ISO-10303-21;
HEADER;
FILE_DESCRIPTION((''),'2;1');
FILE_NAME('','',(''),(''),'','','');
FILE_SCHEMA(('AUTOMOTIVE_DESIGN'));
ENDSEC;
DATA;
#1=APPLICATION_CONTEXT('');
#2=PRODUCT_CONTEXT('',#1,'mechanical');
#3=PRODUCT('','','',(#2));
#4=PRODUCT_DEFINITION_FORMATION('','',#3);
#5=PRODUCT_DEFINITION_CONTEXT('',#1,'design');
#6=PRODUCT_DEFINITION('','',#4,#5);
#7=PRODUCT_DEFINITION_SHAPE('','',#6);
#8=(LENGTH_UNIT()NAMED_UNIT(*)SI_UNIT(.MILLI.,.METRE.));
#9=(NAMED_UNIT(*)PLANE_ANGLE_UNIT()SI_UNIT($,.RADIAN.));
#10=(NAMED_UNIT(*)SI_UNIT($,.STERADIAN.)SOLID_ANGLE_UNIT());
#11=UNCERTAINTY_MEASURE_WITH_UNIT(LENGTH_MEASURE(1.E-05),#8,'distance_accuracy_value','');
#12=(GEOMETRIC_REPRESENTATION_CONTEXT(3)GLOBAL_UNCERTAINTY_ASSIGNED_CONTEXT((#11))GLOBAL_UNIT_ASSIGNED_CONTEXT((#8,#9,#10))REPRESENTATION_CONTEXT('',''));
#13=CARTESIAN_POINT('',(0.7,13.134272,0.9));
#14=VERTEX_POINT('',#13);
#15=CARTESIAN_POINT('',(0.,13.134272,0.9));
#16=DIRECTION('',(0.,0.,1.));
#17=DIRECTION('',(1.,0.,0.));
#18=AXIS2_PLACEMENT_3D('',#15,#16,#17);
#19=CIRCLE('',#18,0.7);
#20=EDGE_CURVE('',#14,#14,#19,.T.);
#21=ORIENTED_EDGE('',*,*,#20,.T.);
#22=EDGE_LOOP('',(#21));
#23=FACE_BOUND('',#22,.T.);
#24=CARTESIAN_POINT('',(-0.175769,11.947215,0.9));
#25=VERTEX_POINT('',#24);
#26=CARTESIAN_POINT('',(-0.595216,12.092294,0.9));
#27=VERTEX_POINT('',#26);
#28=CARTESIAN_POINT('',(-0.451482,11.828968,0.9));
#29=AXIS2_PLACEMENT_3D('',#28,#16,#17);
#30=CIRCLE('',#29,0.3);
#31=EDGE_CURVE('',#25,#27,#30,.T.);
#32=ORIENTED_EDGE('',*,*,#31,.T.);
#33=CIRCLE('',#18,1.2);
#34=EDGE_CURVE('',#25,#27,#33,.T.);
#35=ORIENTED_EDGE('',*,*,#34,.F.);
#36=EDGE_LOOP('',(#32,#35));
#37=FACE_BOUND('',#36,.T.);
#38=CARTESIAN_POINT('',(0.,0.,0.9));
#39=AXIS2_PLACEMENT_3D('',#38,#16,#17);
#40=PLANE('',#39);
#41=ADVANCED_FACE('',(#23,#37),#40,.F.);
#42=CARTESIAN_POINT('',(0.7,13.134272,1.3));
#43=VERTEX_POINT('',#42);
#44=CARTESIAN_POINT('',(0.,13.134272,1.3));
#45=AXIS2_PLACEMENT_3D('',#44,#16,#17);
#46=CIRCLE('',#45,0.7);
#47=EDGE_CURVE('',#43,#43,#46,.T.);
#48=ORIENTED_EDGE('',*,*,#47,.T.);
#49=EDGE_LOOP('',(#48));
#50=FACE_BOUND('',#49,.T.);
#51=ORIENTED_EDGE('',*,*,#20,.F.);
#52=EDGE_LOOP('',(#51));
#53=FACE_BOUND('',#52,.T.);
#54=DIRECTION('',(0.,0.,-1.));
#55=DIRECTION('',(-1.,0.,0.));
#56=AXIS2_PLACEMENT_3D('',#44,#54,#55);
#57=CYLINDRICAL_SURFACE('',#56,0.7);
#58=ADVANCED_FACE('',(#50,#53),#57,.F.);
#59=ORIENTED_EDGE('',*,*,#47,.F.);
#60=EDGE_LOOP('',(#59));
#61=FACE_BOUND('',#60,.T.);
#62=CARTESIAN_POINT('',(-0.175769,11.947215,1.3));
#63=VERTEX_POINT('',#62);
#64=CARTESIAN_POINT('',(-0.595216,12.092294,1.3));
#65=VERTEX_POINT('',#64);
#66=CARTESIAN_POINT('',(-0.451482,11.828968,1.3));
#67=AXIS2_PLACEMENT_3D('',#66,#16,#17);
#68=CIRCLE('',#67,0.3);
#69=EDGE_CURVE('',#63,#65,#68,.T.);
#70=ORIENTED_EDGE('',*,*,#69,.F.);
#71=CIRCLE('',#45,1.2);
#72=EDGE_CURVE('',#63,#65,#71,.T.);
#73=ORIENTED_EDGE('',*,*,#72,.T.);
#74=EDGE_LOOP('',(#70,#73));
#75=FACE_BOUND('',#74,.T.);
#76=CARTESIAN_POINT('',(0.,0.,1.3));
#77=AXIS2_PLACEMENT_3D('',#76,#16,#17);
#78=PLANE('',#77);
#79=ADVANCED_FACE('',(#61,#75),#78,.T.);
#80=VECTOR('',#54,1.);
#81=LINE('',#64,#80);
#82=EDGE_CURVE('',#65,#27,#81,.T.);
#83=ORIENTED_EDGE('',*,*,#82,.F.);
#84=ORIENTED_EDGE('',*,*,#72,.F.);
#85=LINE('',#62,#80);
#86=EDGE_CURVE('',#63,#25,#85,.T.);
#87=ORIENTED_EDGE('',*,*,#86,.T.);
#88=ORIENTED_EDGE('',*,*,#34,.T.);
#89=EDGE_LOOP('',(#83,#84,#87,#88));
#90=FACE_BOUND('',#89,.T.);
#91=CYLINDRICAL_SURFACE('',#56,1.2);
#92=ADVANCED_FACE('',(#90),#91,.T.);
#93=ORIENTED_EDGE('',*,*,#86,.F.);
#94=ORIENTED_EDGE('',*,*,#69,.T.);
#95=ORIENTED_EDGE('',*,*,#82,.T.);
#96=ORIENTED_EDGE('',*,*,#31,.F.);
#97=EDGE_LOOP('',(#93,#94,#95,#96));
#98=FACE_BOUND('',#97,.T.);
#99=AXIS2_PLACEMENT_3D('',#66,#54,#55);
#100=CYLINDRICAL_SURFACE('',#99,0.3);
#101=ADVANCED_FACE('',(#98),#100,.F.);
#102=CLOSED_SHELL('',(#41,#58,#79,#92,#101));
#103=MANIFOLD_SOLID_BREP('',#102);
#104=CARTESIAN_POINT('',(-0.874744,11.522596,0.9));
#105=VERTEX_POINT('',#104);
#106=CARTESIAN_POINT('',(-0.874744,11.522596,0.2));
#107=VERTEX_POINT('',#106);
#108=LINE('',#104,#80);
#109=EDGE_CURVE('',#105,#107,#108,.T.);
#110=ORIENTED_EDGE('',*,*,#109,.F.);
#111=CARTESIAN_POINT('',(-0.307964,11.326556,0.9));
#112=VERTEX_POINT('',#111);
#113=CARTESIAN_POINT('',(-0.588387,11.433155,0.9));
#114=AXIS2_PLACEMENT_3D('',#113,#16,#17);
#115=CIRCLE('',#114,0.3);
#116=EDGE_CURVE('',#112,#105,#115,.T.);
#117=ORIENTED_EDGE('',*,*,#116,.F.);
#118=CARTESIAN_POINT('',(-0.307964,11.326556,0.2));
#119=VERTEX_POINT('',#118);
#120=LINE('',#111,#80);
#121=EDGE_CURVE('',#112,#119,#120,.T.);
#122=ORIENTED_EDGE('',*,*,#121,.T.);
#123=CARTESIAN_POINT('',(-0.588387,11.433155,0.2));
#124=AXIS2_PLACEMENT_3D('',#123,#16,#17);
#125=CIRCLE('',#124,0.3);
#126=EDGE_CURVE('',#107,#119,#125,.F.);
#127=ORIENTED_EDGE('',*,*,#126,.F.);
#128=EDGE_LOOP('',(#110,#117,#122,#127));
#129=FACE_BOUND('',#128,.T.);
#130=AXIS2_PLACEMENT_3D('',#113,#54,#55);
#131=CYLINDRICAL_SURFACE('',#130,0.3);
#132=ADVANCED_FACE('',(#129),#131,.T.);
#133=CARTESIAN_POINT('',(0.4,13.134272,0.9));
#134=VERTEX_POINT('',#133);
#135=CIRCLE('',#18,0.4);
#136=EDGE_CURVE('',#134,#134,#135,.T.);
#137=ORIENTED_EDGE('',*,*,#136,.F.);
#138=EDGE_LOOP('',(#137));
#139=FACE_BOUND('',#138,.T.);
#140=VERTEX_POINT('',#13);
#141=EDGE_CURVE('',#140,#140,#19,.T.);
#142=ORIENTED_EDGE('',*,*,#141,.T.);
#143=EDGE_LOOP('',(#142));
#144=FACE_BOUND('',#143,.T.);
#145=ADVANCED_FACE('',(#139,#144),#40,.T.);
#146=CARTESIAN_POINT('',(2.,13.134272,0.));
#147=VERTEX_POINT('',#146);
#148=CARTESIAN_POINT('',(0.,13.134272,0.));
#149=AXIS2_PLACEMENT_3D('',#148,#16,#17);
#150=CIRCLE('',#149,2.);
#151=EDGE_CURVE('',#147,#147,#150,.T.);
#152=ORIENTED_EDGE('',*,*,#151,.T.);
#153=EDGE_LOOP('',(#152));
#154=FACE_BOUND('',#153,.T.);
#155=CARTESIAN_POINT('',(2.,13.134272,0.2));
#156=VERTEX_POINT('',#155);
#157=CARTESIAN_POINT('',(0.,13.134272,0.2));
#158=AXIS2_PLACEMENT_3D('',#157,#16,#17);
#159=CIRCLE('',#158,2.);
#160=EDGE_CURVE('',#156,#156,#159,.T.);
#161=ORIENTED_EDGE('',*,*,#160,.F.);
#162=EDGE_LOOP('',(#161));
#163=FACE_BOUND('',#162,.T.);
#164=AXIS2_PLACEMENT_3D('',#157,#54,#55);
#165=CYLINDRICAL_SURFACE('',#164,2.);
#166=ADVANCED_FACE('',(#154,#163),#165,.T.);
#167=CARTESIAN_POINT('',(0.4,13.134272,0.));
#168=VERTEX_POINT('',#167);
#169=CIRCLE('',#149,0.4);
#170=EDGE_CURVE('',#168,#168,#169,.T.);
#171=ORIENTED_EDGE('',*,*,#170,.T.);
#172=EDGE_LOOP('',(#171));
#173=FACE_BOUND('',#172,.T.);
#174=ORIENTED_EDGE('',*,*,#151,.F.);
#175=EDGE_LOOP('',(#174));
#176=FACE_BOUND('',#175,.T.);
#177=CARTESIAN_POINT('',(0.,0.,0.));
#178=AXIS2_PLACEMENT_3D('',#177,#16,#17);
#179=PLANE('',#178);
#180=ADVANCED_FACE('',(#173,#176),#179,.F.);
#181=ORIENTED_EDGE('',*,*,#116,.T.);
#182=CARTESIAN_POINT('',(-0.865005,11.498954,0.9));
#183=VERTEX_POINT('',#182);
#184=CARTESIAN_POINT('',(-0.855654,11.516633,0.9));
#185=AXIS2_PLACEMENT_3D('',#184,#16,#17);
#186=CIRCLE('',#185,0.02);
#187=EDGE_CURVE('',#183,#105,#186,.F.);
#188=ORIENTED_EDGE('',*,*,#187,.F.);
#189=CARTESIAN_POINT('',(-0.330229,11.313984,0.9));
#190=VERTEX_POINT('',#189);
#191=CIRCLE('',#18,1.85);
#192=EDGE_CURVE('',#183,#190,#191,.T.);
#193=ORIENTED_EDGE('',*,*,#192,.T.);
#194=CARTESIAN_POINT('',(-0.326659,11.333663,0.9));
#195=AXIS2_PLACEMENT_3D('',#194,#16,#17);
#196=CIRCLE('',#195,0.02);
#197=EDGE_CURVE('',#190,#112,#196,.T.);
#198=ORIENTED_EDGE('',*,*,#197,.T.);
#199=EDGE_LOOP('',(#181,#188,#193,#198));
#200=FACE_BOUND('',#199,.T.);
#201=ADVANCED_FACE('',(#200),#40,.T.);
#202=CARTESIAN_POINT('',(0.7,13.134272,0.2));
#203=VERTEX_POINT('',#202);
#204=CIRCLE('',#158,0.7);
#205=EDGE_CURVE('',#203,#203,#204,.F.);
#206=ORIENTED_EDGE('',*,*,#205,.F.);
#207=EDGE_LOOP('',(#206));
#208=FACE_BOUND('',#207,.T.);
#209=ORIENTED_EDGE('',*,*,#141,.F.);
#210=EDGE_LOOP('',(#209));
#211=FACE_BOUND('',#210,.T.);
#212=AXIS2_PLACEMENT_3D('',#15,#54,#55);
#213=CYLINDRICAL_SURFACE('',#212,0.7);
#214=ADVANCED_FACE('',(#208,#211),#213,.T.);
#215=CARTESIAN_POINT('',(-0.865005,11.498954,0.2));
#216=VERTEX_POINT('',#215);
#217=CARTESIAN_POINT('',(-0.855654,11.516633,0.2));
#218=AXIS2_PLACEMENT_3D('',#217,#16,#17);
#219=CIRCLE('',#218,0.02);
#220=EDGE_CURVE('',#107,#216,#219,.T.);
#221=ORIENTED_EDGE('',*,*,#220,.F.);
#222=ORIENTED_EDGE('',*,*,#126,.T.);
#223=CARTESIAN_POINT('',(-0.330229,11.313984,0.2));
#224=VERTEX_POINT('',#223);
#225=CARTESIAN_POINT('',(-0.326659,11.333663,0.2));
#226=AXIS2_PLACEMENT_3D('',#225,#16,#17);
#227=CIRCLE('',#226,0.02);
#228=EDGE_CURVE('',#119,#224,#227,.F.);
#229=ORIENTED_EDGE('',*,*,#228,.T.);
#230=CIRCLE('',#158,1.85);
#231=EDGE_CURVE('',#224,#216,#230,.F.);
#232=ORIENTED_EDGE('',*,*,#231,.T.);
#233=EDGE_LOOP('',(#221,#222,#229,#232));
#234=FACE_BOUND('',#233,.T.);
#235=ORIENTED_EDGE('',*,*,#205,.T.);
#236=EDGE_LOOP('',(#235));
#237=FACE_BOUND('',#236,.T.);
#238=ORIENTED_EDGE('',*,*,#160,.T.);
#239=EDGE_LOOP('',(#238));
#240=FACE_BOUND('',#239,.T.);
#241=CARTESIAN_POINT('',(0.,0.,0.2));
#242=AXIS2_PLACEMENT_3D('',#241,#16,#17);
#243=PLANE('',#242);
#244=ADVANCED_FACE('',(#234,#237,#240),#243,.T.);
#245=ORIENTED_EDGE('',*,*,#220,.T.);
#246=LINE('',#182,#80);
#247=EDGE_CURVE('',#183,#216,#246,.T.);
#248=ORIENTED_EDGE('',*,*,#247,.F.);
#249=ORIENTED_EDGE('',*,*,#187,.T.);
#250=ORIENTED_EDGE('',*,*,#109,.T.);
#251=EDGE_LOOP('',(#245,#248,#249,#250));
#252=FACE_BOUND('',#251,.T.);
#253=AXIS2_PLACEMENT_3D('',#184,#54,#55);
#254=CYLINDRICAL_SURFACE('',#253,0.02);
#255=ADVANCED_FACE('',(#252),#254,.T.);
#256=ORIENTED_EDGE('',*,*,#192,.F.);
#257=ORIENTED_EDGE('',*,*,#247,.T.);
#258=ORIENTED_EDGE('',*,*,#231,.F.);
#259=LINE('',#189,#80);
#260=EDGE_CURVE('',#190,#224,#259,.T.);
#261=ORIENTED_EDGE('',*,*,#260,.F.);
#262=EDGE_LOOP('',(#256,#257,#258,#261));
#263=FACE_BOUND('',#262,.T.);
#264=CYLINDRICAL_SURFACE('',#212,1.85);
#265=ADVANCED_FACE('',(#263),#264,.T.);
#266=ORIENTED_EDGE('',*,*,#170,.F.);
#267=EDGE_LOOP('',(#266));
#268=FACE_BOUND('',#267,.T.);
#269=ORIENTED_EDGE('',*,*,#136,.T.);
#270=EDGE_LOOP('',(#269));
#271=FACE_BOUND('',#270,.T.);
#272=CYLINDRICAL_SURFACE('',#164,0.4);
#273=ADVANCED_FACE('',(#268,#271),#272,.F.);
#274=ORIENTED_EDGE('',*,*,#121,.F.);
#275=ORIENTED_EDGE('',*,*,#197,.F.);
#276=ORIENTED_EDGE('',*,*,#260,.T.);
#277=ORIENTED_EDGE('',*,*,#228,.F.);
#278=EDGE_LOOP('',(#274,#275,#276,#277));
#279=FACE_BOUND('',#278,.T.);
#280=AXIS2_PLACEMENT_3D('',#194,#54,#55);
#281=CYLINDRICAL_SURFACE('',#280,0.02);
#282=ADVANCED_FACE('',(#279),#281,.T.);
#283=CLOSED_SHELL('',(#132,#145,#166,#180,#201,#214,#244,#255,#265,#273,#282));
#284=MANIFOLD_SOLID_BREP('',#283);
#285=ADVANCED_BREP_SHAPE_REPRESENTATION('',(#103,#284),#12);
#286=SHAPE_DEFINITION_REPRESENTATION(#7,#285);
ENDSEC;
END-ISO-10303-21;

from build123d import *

# Parameters (mm, degrees)
SKETCH1_R           = 2
SKETCH1_R_2         = 0.4
BOSS_EXTRUDE1_DEPTH = 0.2
SKETCH1_9_R         = 0.7
SKETCH1_9_R_2       = 0.4
BOSS_EXTRUDE2_DEPTH = 0.9
BOSS_EXTRUDE3_START = 0.9
SKETCH1_10_R        = 0.7
BOSS_EXTRUDE3_DEPTH = 0.4
BOSS_EXTRUDE4_DEPTH = 0.9


with BuildPart() as part:
    # Sketch1 → Boss-Extrude1 (new body)
    with BuildSketch(Plane.XY):
        with Locations((0, 13.134272207)):
            Circle(SKETCH1_R)
        with Locations((0, 13.134272207)):
            Circle(SKETCH1_R_2, mode=Mode.SUBTRACT)
    extrude(amount=BOSS_EXTRUDE1_DEPTH)

    # Sketch1<9> → Boss-Extrude2 (add)
    with BuildSketch(Plane.XY):
        with Locations((0, 13.134272207)):
            Circle(SKETCH1_9_R)
        with Locations((0, 13.134272207)):
            Circle(SKETCH1_9_R_2, mode=Mode.SUBTRACT)
    extrude(amount=BOSS_EXTRUDE2_DEPTH)

    # Sketch1<11> → Boss-Extrude4 (add)
    with BuildSketch(Plane.XY):
        with BuildLine():
            ThreePointArc((-0.722952446, 11.701281818), (-0.80562228, 11.640057681), (-0.862748393, 11.554504753))
            ThreePointArc((-0.862748393, 11.554504753), (-0.769774263, 11.507174305), (-0.674214176, 11.465309882))
            Line((-0.674214176, 11.465309882), (-0.690125144, 11.647173071))
            ThreePointArc((-0.690125144, 11.647173071), (-0.707969637, 11.673359365), (-0.722952446, 11.701281818))
        make_face()
        with BuildLine():
            Line((-0.695904051, 11.713226287), (-0.690125144, 11.647173071))
            ThreePointArc((-0.690125144, 11.647173071), (-0.61018442, 11.574383117), (-0.509631962, 11.53465781))
            Line((-0.509631962, 11.53465781), (-0.526432402, 11.726687722))
            ThreePointArc((-0.526432402, 11.726687722), (-0.612141723, 11.732212758), (-0.695904051, 11.713226287))
        make_face()
        with BuildLine():
            Line((-0.690125144, 11.647173071), (-0.674214176, 11.465309882))
            ThreePointArc((-0.674214176, 11.465309882), (-0.587019252, 11.432682246), (-0.498253958, 11.404606635))
            Line((-0.498253958, 11.404606635), (-0.509631962, 11.53465781))
            ThreePointArc((-0.509631962, 11.53465781), (-0.61018442, 11.574383117), (-0.690125144, 11.647173071))
        make_face()
        with BuildLine():
            ThreePointArc((-0.498253958, 11.404606635), (-0.398618868, 11.378965112), (-0.297681545, 11.359057939))
            ThreePointArc((-0.297681545, 11.359057939), (-0.289740827, 11.461623242), (-0.316916575, 11.560841058))
            ThreePointArc((-0.316916575, 11.560841058), (-0.411093619, 11.531699297), (-0.509631962, 11.53465781))
            Line((-0.509631962, 11.53465781), (-0.498253958, 11.404606635))
        make_face()
        with BuildLine():
            ThreePointArc((-0.509631962, 11.53465781), (-0.411093619, 11.531699297), (-0.316916575, 11.560841058))
            ThreePointArc((-0.316916575, 11.560841058), (-0.402189954, 11.668379407), (-0.526432402, 11.726687722))
            Line((-0.526432402, 11.726687722), (-0.509631962, 11.53465781))
        make_face()
        with BuildLine():
            ThreePointArc((-0.865004944, 11.498953753), (-0.76847241, 11.451432299), (-0.66934047, 11.409603156))
            Line((-0.66934047, 11.409603156), (-0.674214176, 11.465309882))
            ThreePointArc((-0.674214176, 11.465309882), (-0.769774263, 11.507174305), (-0.862748393, 11.554504753))
            ThreePointArc((-0.862748393, 11.554504753), (-0.869199801, 11.538720697), (-0.874744005, 11.522595597))
            ThreePointArc((-0.874744005, 11.522595597), (-0.874145949, 11.509015077), (-0.865004944, 11.498953753))
        make_face()
        with BuildLine():
            Line((-0.674214176, 11.465309882), (-0.66934047, 11.409603156))
            ThreePointArc((-0.66934047, 11.409603156), (-0.582196295, 11.37826894), (-0.49359328, 11.351334835))
            Line((-0.49359328, 11.351334835), (-0.498253958, 11.404606635))
            ThreePointArc((-0.498253958, 11.404606635), (-0.587019252, 11.432682246), (-0.674214176, 11.465309882))
        make_face()
        with BuildLine():
            ThreePointArc((-0.307964475, 11.326556396), (-0.302360987, 11.342660992), (-0.297681545, 11.359057939))
            ThreePointArc((-0.297681545, 11.359057939), (-0.398618868, 11.378965112), (-0.498253958, 11.404606635))
            Line((-0.498253958, 11.404606635), (-0.49359328, 11.351334835))
            ThreePointArc((-0.49359328, 11.351334835), (-0.412334455, 11.33080879), (-0.330229358, 11.313984161))
            ThreePointArc((-0.330229358, 11.313984161), (-0.316825436, 11.316247586), (-0.307964475, 11.326556396))
        make_face()
        with BuildLine():
            ThreePointArc((-0.695904051, 11.713226287), (-0.709575496, 11.707587495), (-0.722952446, 11.701281818))
            ThreePointArc((-0.722952446, 11.701281818), (-0.707969637, 11.673359365), (-0.690125144, 11.647173071))
            Line((-0.690125144, 11.647173071), (-0.695904051, 11.713226287))
        make_face()
    extrude(amount=BOSS_EXTRUDE4_DEPTH)


with BuildPart() as body_2:
    # Sketch1<10> → Boss-Extrude3 (new body)
    with BuildSketch(Plane.XY.offset(BOSS_EXTRUDE3_START)):
        with BuildLine():
            ThreePointArc((1.2, 13.134272207), (-0.602387358, 14.172120689), (-0.595215785, 12.092294199))
            ThreePointArc((-0.595215785, 12.092294199), (-0.353417508, 12.112487744), (-0.175768873, 11.947214794))
            ThreePointArc((-0.175768873, 11.947214794), (0.783925173, 12.225723186), (1.2, 13.134272207))
        make_face()
        with Locations((0, 13.134272207)):
            Circle(SKETCH1_10_R, mode=Mode.SUBTRACT)
    extrude(amount=BOSS_EXTRUDE3_DEPTH)


solid = Compound([part.part, body_2.part])
